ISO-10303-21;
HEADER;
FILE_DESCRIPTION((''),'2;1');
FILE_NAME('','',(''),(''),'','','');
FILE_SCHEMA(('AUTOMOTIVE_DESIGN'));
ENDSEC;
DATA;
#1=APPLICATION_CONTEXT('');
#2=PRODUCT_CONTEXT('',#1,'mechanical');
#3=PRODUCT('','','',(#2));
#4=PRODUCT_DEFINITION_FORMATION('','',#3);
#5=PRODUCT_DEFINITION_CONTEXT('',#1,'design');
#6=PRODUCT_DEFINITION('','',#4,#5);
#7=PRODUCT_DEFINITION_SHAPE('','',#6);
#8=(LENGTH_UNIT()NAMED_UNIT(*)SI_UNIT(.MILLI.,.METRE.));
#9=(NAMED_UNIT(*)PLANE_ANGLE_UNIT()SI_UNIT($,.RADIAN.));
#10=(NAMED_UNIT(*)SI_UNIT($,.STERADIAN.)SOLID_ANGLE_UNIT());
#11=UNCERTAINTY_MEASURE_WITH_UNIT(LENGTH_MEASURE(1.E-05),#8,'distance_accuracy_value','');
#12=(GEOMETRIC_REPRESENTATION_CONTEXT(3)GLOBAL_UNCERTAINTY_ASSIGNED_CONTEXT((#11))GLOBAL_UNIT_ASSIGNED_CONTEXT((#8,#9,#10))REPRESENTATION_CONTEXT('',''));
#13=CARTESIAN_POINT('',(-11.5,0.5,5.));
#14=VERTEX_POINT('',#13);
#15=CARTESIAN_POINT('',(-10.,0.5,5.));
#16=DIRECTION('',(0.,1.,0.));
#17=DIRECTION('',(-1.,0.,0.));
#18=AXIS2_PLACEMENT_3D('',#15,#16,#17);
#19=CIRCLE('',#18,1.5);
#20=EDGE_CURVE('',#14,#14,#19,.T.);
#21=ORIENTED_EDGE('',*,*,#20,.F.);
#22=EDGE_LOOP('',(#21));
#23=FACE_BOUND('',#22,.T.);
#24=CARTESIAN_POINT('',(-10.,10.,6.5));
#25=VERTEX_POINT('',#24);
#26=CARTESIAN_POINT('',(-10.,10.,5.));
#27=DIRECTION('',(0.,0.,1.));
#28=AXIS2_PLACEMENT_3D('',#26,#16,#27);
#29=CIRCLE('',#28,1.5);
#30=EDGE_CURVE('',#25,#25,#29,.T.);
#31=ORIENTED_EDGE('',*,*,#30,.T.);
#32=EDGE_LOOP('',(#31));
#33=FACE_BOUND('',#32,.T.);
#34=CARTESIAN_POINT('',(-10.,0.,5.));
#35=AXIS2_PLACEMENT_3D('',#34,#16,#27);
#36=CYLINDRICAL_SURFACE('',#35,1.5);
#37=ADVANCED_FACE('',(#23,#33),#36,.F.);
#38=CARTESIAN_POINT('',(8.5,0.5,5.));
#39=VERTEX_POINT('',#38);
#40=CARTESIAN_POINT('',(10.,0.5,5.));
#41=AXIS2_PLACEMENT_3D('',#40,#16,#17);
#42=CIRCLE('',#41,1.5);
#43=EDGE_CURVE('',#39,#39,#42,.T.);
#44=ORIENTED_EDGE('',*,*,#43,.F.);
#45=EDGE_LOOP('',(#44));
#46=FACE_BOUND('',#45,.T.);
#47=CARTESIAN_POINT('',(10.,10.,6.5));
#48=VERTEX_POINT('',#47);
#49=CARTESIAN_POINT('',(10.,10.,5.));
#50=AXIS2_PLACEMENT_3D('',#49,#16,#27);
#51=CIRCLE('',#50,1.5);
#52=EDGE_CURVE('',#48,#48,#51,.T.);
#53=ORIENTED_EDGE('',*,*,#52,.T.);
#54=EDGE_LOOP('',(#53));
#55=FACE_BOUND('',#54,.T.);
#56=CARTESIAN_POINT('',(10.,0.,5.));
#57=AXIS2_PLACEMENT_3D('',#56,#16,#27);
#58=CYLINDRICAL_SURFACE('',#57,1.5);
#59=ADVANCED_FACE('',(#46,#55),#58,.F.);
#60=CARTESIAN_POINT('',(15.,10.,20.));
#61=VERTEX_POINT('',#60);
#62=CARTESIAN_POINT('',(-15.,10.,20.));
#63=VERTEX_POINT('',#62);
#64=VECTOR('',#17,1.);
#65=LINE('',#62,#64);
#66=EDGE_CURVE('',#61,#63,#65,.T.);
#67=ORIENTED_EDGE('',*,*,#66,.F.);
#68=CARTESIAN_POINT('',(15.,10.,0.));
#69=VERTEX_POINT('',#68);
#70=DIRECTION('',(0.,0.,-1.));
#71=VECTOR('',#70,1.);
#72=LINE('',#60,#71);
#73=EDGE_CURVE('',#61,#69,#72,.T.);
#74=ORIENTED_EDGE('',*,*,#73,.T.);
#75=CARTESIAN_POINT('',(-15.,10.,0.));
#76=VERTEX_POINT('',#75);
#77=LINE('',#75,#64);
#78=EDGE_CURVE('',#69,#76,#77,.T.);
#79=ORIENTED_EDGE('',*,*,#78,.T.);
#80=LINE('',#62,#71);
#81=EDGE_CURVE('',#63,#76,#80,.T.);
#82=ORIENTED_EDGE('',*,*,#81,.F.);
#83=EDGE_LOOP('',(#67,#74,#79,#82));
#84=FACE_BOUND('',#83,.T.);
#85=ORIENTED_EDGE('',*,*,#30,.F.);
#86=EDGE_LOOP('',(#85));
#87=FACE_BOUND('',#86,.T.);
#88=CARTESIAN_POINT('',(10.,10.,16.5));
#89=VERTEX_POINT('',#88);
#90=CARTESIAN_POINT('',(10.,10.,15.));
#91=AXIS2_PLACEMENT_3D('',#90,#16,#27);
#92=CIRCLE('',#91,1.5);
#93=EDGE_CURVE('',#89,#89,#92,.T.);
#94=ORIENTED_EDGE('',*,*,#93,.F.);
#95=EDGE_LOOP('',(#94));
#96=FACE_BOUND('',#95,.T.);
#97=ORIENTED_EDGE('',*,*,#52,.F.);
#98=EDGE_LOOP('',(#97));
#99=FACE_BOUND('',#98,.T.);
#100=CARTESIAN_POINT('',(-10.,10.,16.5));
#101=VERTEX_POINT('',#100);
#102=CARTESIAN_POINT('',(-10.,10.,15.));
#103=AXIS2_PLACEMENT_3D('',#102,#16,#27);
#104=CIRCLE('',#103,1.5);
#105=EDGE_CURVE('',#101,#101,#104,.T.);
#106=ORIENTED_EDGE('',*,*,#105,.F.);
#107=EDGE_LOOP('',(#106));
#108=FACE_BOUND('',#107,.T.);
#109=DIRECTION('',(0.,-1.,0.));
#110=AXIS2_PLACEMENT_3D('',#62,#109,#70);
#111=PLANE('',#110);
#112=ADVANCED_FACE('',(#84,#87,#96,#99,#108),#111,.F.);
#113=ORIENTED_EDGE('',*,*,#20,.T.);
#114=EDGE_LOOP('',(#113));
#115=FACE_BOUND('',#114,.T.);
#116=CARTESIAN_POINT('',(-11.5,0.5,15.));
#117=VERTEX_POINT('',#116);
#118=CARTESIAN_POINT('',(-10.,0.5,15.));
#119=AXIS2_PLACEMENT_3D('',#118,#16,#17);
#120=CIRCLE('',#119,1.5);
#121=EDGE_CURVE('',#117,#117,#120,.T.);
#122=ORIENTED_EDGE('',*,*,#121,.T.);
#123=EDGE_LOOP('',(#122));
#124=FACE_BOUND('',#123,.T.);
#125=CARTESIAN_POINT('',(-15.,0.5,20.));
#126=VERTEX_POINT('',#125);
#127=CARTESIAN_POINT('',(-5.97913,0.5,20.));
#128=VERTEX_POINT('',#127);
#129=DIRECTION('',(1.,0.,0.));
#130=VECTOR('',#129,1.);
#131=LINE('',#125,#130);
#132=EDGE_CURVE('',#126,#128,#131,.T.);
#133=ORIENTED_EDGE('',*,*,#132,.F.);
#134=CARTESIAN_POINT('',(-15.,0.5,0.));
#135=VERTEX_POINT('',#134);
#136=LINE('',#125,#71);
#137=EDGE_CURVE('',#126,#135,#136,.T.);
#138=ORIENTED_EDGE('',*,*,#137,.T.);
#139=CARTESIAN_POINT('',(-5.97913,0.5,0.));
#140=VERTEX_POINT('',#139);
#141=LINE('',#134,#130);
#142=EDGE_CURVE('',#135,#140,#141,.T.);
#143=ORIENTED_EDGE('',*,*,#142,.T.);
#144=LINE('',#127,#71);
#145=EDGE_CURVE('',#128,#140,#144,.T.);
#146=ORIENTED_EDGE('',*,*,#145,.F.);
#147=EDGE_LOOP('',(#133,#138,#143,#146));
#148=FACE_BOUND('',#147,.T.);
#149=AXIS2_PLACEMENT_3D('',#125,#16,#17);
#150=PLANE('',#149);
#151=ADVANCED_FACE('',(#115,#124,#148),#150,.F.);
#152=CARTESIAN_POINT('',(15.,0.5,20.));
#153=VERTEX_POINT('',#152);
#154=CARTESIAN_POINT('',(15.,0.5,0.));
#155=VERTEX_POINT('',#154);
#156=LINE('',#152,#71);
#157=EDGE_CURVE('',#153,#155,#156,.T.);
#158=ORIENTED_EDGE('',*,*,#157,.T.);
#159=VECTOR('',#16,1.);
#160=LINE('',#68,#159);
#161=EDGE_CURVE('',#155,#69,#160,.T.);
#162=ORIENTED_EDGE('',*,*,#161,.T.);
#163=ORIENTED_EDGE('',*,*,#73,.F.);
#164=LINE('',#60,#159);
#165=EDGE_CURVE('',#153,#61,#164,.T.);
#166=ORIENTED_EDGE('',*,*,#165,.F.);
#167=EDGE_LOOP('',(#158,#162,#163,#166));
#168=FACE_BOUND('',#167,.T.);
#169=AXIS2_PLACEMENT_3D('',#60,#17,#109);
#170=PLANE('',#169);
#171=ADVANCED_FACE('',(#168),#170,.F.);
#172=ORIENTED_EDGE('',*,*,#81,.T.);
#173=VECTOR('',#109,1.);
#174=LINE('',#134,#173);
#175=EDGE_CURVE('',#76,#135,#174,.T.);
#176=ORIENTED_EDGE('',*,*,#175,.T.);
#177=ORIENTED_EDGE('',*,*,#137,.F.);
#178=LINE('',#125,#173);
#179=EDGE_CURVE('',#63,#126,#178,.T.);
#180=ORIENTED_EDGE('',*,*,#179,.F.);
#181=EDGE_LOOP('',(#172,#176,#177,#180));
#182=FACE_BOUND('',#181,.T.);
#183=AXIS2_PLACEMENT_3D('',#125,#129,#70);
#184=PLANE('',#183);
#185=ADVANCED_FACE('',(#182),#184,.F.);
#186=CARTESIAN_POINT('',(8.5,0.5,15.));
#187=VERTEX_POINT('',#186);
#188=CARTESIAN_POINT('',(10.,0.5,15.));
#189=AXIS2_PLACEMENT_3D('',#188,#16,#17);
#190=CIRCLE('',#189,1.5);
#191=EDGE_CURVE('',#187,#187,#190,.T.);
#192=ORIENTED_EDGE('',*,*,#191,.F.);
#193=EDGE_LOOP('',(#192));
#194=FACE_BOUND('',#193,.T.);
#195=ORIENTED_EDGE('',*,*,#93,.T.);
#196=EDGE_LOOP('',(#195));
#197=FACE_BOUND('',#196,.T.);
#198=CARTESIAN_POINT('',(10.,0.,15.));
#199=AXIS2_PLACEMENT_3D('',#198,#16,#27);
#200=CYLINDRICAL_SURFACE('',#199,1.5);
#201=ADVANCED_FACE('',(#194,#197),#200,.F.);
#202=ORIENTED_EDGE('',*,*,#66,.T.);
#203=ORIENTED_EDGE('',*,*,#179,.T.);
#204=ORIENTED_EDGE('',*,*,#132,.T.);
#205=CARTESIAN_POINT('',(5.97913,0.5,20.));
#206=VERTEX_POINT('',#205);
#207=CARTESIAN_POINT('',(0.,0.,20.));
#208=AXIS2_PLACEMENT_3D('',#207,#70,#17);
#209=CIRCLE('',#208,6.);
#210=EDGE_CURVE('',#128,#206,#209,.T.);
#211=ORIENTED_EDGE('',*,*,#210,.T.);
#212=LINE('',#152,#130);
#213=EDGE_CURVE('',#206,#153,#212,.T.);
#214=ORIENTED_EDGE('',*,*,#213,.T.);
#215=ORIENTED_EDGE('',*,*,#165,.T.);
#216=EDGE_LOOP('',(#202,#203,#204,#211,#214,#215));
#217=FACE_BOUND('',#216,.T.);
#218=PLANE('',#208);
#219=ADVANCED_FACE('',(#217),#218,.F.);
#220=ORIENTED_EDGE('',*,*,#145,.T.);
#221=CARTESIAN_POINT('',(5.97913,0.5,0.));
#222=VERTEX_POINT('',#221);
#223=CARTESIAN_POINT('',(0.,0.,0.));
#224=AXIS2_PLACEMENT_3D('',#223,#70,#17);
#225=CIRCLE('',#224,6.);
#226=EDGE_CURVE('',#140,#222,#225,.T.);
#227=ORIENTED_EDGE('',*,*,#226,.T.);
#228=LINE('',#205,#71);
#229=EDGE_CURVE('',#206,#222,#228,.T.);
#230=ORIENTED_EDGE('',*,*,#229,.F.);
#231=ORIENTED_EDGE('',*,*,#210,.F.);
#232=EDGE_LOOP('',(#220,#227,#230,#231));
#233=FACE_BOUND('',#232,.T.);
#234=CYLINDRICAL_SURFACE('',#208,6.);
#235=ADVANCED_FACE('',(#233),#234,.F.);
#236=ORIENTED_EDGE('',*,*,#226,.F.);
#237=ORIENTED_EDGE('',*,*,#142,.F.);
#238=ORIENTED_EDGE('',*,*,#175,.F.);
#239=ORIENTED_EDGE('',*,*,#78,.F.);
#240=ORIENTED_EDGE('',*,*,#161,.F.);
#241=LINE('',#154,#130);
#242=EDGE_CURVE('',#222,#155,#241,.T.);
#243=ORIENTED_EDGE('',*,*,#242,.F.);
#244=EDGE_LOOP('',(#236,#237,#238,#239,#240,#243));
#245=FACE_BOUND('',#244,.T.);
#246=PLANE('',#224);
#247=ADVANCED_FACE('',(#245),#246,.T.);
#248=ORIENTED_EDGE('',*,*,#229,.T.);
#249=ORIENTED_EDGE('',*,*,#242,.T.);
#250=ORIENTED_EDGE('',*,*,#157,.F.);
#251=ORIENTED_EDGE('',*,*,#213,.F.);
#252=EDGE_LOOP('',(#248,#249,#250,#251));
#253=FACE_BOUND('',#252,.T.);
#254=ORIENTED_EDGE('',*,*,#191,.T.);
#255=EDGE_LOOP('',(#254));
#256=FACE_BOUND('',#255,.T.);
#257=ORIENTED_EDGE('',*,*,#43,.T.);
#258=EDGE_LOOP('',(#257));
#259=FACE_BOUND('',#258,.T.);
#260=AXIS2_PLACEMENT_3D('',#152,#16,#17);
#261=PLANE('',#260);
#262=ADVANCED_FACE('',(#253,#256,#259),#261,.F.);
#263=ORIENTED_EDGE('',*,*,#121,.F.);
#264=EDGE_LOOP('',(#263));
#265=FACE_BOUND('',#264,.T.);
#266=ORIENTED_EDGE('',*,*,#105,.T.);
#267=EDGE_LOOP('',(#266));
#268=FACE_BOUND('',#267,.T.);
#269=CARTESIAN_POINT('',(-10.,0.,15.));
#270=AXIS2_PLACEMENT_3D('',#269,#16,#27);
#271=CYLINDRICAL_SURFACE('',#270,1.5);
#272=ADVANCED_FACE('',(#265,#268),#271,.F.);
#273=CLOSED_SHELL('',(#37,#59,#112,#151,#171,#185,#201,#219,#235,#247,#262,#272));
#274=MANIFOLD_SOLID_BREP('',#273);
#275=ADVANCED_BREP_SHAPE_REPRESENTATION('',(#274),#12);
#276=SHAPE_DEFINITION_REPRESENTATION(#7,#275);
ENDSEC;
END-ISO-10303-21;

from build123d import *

# Parameters (mm, degrees)
BOSS_EXTRU_1_DEPTH      = 20
ESQUISSE3_R             = 1.5
ENL_V_MAT_EXTRU_1_DEPTH = 10


with BuildPart() as part:
    # Esquisse2 → Boss.-Extru.1 (new body)
    with BuildSketch(Plane.XY):
        with BuildLine():
            Line((-15, 0.5), (-15, 10))
            Line((-15, 10), (15, 10))
            Line((15, 10), (15, 0.5))
            Line((15, 0.5), (5.979130372, 0.5))
            ThreePointArc((5.979130372, 0.5), (0, 6), (-5.979130372, 0.5))
            Line((-5.979130372, 0.5), (-15, 0.5))
        make_face()
    extrude(amount=BOSS_EXTRU_1_DEPTH)

    # Esquisse3 → Enlèv. mat.-Extru.1 (cut)
    with BuildSketch(Plane(origin=(0, 10, 0), x_dir=(1, 0, 0), z_dir=(0, 1, 0))):
        with Locations((-10, -5)):
            Circle(ESQUISSE3_R)
        with Locations((10, -5)):
            Circle(ESQUISSE3_R)
        with Locations((-10, -15)):
            Circle(ESQUISSE3_R)
        with Locations((10, -15)):
            Circle(ESQUISSE3_R)
    extrude(amount=-ENL_V_MAT_EXTRU_1_DEPTH, mode=Mode.SUBTRACT)


solid = part.part
